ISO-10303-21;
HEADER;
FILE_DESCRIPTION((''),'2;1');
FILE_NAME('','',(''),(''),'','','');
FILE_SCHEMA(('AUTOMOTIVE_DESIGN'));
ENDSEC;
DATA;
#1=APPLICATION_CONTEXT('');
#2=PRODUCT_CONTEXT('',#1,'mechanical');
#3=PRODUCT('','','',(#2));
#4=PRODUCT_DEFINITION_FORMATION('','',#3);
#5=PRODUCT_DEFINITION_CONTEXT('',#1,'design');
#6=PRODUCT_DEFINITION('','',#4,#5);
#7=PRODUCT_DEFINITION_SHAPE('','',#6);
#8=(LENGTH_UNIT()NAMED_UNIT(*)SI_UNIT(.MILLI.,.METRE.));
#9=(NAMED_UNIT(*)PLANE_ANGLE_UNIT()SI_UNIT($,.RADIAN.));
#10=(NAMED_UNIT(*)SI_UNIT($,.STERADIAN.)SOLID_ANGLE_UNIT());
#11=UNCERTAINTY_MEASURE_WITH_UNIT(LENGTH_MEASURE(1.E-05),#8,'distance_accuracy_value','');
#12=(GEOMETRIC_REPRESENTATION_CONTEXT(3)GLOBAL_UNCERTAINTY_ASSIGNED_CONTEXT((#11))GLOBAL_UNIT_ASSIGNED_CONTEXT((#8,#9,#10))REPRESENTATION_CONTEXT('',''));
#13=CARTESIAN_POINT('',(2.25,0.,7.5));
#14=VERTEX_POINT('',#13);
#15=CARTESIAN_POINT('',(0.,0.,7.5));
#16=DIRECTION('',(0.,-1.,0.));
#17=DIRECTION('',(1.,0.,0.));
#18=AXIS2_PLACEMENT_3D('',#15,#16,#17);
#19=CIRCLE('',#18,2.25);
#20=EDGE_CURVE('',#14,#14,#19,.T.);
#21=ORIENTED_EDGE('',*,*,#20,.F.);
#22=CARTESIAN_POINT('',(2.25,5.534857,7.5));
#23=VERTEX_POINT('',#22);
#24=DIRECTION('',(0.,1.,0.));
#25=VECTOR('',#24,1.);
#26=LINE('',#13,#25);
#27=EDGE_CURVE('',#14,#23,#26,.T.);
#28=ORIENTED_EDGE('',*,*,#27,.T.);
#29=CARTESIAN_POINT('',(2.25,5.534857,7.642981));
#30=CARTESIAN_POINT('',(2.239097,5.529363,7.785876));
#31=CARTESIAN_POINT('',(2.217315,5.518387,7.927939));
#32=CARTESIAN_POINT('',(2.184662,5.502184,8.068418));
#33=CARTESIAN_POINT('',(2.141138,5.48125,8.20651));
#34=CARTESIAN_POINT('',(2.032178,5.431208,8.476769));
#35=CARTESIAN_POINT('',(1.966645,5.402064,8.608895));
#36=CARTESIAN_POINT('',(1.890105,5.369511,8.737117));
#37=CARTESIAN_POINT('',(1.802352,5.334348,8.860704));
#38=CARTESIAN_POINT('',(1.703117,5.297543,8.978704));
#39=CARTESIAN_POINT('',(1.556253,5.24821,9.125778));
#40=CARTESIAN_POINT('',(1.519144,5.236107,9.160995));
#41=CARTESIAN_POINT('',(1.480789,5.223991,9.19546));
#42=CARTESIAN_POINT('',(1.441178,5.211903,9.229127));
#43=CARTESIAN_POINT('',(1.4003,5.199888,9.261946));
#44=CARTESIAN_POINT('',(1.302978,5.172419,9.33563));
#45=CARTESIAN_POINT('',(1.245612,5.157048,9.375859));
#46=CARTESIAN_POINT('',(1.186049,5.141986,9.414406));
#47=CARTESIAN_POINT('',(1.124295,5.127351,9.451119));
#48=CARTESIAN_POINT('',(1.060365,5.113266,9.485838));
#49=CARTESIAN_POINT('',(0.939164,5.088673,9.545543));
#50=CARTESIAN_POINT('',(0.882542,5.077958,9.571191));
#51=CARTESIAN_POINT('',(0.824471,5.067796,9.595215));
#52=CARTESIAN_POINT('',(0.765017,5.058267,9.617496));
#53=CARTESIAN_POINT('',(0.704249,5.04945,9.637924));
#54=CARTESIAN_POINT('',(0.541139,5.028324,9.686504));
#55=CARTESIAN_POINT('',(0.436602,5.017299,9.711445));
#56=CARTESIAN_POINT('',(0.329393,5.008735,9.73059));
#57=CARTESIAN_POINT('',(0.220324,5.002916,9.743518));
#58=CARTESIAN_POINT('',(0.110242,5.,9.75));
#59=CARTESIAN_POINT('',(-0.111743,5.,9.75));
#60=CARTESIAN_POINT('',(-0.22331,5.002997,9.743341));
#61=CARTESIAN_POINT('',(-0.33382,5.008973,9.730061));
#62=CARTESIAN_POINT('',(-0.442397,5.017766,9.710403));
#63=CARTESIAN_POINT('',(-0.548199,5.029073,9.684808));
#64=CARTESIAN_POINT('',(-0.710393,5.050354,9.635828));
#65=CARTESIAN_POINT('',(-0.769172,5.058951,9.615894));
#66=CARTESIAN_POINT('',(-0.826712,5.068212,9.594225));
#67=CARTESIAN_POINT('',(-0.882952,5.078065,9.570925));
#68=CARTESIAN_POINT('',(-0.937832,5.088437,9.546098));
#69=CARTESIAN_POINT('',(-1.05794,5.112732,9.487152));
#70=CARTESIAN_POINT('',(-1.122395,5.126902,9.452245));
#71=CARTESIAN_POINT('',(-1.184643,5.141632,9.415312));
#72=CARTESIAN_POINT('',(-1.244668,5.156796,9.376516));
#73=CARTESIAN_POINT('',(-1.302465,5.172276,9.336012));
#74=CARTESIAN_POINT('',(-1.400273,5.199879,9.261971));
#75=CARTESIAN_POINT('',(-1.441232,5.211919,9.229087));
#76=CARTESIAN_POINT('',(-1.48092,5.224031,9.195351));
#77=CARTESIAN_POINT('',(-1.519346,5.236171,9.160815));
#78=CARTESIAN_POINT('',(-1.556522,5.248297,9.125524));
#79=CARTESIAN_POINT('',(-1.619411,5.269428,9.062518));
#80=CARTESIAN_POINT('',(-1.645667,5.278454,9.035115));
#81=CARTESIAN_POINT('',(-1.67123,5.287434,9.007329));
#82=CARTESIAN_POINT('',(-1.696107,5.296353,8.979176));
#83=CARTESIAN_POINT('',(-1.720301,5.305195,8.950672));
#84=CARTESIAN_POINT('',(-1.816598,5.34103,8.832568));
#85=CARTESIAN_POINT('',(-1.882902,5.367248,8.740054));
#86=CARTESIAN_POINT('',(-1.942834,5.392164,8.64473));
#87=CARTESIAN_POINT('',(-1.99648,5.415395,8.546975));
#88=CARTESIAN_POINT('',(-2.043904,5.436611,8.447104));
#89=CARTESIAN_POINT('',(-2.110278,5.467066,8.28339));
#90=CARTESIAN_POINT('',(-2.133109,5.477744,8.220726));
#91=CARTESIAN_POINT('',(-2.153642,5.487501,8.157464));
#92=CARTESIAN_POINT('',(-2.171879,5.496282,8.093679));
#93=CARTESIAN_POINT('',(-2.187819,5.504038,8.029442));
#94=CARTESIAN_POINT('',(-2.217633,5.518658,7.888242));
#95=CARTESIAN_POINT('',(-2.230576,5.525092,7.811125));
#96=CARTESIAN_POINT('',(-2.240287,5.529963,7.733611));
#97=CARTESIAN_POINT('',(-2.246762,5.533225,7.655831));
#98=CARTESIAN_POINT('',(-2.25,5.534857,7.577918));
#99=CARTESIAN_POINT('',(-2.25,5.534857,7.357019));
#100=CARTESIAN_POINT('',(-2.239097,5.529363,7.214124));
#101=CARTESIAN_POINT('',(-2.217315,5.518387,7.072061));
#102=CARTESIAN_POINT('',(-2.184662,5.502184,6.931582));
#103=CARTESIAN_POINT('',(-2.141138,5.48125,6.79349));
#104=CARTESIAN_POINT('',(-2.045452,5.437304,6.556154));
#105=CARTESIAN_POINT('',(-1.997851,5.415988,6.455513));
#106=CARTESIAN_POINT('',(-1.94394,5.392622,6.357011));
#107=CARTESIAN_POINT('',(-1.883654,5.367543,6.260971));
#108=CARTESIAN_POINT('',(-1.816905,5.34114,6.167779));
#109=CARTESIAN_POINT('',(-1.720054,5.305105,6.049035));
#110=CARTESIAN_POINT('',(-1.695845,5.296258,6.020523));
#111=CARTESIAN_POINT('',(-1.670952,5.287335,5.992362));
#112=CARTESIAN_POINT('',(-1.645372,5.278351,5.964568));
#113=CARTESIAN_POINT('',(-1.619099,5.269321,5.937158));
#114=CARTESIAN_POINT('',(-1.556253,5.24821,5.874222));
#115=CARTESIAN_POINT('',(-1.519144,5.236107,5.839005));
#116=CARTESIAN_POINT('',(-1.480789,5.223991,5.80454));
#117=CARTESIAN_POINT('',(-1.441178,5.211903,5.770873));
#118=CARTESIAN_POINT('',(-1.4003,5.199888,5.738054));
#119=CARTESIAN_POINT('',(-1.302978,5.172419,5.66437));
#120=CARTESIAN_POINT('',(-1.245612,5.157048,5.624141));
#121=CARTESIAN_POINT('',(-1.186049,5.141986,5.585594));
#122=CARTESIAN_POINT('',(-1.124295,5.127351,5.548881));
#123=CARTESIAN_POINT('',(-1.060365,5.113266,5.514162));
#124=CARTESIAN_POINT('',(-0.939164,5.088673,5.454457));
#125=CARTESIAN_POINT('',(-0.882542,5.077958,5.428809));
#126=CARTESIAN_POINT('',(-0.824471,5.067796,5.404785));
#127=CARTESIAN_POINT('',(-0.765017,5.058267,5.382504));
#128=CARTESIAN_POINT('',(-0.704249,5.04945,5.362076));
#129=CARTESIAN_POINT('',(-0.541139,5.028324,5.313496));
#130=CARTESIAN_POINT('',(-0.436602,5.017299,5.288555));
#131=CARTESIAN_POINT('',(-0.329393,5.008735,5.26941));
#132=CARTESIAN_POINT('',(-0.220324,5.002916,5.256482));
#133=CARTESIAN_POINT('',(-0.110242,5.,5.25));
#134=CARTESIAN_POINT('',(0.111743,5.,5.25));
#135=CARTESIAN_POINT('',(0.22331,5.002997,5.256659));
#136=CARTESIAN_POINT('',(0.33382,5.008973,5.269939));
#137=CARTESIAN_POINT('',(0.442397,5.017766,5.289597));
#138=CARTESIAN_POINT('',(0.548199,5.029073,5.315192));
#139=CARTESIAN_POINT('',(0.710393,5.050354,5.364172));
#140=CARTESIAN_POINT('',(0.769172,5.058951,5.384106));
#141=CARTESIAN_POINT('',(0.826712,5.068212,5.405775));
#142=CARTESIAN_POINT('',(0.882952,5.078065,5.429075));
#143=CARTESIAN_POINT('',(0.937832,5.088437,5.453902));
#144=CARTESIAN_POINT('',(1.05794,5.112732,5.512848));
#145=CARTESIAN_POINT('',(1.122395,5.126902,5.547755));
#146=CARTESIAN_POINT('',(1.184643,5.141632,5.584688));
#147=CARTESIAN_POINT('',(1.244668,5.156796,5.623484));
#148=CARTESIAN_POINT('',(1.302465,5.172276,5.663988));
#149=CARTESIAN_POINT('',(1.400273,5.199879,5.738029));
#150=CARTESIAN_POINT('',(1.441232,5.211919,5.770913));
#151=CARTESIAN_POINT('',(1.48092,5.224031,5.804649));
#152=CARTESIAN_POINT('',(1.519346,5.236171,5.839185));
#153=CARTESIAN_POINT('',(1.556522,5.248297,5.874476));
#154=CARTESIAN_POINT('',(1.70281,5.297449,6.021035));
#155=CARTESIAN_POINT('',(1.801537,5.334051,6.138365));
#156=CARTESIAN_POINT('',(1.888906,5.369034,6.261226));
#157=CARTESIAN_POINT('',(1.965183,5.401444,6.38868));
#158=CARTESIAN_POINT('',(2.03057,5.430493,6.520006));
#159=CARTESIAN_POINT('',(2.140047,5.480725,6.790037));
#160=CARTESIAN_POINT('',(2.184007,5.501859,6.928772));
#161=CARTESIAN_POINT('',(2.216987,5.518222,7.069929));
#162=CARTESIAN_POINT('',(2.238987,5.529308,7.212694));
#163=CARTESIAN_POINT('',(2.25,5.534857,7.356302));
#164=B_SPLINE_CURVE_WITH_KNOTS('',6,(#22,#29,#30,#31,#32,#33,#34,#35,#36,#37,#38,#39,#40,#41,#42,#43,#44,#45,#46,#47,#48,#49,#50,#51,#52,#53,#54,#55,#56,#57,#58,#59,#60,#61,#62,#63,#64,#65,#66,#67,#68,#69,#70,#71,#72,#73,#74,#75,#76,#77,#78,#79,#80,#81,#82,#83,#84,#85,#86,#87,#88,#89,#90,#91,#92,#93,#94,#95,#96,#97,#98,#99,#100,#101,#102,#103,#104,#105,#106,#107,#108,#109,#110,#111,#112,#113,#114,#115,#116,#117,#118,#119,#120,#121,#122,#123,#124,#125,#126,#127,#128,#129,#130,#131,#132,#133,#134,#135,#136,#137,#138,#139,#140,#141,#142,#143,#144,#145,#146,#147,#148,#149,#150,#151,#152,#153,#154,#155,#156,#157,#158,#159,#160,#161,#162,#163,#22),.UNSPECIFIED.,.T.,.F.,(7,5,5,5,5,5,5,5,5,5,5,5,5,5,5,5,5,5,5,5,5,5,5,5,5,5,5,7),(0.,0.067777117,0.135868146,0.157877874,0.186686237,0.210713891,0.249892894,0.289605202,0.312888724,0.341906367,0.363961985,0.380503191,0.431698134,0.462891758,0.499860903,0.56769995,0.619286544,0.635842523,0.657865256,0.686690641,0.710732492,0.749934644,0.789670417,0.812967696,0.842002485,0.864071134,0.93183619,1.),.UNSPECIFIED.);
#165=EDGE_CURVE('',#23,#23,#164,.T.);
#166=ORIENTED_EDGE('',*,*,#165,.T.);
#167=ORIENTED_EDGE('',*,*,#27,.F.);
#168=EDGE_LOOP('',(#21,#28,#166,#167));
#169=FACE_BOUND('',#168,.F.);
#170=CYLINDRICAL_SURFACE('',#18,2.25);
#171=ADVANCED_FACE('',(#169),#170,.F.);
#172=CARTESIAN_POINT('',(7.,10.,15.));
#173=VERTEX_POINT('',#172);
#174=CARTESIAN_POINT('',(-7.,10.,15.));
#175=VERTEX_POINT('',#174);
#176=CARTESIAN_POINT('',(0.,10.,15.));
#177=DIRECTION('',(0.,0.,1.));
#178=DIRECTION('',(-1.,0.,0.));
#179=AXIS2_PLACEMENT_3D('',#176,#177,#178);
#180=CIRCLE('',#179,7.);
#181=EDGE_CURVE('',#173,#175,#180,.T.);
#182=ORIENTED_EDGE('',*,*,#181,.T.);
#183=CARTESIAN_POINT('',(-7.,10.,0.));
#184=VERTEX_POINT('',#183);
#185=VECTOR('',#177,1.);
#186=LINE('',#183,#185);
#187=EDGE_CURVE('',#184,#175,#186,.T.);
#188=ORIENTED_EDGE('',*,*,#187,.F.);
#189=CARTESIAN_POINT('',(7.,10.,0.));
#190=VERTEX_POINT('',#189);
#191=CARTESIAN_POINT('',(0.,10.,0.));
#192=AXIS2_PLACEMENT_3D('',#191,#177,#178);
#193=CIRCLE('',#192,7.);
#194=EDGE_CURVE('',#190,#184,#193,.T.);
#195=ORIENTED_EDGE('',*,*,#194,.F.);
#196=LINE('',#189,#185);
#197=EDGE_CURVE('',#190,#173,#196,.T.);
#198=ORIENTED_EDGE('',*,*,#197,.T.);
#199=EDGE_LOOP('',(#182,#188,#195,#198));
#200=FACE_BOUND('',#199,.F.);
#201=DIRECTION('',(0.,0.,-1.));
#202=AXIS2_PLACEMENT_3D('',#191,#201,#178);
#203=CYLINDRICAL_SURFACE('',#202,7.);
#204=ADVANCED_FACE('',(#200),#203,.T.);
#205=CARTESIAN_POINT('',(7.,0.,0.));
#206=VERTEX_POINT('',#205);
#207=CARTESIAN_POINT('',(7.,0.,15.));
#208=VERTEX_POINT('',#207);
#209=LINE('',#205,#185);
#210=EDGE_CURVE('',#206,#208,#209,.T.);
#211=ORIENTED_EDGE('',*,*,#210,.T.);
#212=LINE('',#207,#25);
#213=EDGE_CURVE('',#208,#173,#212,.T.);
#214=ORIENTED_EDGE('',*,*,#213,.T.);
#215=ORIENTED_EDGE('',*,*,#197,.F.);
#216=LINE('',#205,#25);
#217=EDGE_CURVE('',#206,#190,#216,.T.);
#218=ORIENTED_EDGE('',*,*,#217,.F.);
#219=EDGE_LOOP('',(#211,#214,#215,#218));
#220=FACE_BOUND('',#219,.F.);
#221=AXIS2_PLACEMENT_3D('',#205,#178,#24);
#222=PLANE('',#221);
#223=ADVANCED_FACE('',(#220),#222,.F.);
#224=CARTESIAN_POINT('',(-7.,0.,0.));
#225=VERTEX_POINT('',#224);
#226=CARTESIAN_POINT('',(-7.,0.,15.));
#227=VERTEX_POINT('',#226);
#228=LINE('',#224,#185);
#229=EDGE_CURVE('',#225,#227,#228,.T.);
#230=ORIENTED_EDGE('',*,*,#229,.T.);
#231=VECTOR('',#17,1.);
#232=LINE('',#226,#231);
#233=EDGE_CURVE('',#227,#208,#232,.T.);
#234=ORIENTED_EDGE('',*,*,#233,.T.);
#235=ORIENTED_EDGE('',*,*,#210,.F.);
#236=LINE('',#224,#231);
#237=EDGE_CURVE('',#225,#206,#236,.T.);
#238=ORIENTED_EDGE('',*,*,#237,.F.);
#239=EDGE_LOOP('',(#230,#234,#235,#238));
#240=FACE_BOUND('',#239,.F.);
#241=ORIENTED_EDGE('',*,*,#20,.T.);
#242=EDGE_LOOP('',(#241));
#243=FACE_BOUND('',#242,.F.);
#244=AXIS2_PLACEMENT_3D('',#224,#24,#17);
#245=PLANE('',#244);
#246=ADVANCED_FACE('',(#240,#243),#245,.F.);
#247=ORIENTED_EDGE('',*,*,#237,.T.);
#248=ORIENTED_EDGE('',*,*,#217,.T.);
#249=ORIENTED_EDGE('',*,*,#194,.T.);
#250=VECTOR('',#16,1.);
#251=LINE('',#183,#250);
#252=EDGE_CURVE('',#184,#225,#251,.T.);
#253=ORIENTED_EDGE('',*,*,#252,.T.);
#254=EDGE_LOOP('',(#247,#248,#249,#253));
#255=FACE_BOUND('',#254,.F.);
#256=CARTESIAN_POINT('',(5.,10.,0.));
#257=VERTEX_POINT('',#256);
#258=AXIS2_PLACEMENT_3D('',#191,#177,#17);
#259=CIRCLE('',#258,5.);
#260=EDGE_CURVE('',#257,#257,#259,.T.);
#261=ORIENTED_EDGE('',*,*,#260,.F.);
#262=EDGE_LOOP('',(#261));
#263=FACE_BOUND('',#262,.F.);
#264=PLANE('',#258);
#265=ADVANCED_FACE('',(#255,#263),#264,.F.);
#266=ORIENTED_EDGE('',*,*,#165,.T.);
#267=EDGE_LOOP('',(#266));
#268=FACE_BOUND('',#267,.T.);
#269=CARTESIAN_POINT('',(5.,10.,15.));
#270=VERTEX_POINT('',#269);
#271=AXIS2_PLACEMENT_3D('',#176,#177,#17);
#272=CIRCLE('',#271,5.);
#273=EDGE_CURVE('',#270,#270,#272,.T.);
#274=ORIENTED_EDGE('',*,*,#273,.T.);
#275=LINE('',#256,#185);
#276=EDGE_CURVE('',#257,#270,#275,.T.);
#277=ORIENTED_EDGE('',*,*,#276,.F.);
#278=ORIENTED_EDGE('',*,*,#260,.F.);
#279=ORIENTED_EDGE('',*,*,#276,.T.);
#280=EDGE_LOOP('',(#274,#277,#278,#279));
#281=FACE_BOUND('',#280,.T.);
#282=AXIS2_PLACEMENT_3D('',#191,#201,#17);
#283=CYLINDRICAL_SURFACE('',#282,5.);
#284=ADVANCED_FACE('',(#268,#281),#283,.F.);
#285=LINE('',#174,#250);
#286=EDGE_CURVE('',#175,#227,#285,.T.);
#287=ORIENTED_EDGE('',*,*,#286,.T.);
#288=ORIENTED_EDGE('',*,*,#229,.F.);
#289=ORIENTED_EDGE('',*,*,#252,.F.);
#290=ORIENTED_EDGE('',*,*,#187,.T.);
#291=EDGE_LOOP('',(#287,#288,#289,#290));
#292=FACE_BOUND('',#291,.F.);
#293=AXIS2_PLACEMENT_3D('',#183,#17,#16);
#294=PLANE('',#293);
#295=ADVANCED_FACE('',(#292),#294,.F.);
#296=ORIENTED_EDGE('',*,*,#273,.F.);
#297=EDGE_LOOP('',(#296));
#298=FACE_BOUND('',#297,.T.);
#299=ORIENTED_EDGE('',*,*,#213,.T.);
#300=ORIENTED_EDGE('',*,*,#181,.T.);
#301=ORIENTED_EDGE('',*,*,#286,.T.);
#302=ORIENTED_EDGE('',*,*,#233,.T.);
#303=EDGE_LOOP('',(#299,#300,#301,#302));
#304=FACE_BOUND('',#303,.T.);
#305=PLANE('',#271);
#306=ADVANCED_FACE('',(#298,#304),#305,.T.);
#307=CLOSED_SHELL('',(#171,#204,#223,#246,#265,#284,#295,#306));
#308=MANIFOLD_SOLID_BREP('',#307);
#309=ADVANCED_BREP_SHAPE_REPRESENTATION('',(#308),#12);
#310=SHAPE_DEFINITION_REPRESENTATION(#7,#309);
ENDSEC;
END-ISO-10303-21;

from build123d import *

# Parameters (mm, degrees)
F0_R     = 5
F1_DEPTH = 15
F2_R     = 2.25
F3_DEPTH = 5.5358573251


with BuildPart() as f1:
    # F0 (on Top) → F1 (new body)
    with BuildSketch(Plane.XY):
        with BuildLine():
            ThreePointArc((7, 10), (0, 17), (-7, 10))
            ThreePointArc((-7, 10), (0, 3), (7, 10))
        make_face()
        with Locations((0, 10)):
            Circle(F0_R, mode=Mode.SUBTRACT)
        with BuildLine():
            Line((-7, 10), (-7, 0))
            Line((-7, 0), (7, 0))
            Line((7, 0), (7, 10))
            ThreePointArc((7, 10), (0, 3), (-7, 10))
        make_face()
    extrude(amount=F1_DEPTH)

    # F2 (on face) → F3 (cut, through all)
    with BuildSketch(Plane.XZ):
        with Locations((0, 7.5)):
            Circle(F2_R)
    extrude(amount=-F3_DEPTH, mode=Mode.SUBTRACT)


solid = f1.part
